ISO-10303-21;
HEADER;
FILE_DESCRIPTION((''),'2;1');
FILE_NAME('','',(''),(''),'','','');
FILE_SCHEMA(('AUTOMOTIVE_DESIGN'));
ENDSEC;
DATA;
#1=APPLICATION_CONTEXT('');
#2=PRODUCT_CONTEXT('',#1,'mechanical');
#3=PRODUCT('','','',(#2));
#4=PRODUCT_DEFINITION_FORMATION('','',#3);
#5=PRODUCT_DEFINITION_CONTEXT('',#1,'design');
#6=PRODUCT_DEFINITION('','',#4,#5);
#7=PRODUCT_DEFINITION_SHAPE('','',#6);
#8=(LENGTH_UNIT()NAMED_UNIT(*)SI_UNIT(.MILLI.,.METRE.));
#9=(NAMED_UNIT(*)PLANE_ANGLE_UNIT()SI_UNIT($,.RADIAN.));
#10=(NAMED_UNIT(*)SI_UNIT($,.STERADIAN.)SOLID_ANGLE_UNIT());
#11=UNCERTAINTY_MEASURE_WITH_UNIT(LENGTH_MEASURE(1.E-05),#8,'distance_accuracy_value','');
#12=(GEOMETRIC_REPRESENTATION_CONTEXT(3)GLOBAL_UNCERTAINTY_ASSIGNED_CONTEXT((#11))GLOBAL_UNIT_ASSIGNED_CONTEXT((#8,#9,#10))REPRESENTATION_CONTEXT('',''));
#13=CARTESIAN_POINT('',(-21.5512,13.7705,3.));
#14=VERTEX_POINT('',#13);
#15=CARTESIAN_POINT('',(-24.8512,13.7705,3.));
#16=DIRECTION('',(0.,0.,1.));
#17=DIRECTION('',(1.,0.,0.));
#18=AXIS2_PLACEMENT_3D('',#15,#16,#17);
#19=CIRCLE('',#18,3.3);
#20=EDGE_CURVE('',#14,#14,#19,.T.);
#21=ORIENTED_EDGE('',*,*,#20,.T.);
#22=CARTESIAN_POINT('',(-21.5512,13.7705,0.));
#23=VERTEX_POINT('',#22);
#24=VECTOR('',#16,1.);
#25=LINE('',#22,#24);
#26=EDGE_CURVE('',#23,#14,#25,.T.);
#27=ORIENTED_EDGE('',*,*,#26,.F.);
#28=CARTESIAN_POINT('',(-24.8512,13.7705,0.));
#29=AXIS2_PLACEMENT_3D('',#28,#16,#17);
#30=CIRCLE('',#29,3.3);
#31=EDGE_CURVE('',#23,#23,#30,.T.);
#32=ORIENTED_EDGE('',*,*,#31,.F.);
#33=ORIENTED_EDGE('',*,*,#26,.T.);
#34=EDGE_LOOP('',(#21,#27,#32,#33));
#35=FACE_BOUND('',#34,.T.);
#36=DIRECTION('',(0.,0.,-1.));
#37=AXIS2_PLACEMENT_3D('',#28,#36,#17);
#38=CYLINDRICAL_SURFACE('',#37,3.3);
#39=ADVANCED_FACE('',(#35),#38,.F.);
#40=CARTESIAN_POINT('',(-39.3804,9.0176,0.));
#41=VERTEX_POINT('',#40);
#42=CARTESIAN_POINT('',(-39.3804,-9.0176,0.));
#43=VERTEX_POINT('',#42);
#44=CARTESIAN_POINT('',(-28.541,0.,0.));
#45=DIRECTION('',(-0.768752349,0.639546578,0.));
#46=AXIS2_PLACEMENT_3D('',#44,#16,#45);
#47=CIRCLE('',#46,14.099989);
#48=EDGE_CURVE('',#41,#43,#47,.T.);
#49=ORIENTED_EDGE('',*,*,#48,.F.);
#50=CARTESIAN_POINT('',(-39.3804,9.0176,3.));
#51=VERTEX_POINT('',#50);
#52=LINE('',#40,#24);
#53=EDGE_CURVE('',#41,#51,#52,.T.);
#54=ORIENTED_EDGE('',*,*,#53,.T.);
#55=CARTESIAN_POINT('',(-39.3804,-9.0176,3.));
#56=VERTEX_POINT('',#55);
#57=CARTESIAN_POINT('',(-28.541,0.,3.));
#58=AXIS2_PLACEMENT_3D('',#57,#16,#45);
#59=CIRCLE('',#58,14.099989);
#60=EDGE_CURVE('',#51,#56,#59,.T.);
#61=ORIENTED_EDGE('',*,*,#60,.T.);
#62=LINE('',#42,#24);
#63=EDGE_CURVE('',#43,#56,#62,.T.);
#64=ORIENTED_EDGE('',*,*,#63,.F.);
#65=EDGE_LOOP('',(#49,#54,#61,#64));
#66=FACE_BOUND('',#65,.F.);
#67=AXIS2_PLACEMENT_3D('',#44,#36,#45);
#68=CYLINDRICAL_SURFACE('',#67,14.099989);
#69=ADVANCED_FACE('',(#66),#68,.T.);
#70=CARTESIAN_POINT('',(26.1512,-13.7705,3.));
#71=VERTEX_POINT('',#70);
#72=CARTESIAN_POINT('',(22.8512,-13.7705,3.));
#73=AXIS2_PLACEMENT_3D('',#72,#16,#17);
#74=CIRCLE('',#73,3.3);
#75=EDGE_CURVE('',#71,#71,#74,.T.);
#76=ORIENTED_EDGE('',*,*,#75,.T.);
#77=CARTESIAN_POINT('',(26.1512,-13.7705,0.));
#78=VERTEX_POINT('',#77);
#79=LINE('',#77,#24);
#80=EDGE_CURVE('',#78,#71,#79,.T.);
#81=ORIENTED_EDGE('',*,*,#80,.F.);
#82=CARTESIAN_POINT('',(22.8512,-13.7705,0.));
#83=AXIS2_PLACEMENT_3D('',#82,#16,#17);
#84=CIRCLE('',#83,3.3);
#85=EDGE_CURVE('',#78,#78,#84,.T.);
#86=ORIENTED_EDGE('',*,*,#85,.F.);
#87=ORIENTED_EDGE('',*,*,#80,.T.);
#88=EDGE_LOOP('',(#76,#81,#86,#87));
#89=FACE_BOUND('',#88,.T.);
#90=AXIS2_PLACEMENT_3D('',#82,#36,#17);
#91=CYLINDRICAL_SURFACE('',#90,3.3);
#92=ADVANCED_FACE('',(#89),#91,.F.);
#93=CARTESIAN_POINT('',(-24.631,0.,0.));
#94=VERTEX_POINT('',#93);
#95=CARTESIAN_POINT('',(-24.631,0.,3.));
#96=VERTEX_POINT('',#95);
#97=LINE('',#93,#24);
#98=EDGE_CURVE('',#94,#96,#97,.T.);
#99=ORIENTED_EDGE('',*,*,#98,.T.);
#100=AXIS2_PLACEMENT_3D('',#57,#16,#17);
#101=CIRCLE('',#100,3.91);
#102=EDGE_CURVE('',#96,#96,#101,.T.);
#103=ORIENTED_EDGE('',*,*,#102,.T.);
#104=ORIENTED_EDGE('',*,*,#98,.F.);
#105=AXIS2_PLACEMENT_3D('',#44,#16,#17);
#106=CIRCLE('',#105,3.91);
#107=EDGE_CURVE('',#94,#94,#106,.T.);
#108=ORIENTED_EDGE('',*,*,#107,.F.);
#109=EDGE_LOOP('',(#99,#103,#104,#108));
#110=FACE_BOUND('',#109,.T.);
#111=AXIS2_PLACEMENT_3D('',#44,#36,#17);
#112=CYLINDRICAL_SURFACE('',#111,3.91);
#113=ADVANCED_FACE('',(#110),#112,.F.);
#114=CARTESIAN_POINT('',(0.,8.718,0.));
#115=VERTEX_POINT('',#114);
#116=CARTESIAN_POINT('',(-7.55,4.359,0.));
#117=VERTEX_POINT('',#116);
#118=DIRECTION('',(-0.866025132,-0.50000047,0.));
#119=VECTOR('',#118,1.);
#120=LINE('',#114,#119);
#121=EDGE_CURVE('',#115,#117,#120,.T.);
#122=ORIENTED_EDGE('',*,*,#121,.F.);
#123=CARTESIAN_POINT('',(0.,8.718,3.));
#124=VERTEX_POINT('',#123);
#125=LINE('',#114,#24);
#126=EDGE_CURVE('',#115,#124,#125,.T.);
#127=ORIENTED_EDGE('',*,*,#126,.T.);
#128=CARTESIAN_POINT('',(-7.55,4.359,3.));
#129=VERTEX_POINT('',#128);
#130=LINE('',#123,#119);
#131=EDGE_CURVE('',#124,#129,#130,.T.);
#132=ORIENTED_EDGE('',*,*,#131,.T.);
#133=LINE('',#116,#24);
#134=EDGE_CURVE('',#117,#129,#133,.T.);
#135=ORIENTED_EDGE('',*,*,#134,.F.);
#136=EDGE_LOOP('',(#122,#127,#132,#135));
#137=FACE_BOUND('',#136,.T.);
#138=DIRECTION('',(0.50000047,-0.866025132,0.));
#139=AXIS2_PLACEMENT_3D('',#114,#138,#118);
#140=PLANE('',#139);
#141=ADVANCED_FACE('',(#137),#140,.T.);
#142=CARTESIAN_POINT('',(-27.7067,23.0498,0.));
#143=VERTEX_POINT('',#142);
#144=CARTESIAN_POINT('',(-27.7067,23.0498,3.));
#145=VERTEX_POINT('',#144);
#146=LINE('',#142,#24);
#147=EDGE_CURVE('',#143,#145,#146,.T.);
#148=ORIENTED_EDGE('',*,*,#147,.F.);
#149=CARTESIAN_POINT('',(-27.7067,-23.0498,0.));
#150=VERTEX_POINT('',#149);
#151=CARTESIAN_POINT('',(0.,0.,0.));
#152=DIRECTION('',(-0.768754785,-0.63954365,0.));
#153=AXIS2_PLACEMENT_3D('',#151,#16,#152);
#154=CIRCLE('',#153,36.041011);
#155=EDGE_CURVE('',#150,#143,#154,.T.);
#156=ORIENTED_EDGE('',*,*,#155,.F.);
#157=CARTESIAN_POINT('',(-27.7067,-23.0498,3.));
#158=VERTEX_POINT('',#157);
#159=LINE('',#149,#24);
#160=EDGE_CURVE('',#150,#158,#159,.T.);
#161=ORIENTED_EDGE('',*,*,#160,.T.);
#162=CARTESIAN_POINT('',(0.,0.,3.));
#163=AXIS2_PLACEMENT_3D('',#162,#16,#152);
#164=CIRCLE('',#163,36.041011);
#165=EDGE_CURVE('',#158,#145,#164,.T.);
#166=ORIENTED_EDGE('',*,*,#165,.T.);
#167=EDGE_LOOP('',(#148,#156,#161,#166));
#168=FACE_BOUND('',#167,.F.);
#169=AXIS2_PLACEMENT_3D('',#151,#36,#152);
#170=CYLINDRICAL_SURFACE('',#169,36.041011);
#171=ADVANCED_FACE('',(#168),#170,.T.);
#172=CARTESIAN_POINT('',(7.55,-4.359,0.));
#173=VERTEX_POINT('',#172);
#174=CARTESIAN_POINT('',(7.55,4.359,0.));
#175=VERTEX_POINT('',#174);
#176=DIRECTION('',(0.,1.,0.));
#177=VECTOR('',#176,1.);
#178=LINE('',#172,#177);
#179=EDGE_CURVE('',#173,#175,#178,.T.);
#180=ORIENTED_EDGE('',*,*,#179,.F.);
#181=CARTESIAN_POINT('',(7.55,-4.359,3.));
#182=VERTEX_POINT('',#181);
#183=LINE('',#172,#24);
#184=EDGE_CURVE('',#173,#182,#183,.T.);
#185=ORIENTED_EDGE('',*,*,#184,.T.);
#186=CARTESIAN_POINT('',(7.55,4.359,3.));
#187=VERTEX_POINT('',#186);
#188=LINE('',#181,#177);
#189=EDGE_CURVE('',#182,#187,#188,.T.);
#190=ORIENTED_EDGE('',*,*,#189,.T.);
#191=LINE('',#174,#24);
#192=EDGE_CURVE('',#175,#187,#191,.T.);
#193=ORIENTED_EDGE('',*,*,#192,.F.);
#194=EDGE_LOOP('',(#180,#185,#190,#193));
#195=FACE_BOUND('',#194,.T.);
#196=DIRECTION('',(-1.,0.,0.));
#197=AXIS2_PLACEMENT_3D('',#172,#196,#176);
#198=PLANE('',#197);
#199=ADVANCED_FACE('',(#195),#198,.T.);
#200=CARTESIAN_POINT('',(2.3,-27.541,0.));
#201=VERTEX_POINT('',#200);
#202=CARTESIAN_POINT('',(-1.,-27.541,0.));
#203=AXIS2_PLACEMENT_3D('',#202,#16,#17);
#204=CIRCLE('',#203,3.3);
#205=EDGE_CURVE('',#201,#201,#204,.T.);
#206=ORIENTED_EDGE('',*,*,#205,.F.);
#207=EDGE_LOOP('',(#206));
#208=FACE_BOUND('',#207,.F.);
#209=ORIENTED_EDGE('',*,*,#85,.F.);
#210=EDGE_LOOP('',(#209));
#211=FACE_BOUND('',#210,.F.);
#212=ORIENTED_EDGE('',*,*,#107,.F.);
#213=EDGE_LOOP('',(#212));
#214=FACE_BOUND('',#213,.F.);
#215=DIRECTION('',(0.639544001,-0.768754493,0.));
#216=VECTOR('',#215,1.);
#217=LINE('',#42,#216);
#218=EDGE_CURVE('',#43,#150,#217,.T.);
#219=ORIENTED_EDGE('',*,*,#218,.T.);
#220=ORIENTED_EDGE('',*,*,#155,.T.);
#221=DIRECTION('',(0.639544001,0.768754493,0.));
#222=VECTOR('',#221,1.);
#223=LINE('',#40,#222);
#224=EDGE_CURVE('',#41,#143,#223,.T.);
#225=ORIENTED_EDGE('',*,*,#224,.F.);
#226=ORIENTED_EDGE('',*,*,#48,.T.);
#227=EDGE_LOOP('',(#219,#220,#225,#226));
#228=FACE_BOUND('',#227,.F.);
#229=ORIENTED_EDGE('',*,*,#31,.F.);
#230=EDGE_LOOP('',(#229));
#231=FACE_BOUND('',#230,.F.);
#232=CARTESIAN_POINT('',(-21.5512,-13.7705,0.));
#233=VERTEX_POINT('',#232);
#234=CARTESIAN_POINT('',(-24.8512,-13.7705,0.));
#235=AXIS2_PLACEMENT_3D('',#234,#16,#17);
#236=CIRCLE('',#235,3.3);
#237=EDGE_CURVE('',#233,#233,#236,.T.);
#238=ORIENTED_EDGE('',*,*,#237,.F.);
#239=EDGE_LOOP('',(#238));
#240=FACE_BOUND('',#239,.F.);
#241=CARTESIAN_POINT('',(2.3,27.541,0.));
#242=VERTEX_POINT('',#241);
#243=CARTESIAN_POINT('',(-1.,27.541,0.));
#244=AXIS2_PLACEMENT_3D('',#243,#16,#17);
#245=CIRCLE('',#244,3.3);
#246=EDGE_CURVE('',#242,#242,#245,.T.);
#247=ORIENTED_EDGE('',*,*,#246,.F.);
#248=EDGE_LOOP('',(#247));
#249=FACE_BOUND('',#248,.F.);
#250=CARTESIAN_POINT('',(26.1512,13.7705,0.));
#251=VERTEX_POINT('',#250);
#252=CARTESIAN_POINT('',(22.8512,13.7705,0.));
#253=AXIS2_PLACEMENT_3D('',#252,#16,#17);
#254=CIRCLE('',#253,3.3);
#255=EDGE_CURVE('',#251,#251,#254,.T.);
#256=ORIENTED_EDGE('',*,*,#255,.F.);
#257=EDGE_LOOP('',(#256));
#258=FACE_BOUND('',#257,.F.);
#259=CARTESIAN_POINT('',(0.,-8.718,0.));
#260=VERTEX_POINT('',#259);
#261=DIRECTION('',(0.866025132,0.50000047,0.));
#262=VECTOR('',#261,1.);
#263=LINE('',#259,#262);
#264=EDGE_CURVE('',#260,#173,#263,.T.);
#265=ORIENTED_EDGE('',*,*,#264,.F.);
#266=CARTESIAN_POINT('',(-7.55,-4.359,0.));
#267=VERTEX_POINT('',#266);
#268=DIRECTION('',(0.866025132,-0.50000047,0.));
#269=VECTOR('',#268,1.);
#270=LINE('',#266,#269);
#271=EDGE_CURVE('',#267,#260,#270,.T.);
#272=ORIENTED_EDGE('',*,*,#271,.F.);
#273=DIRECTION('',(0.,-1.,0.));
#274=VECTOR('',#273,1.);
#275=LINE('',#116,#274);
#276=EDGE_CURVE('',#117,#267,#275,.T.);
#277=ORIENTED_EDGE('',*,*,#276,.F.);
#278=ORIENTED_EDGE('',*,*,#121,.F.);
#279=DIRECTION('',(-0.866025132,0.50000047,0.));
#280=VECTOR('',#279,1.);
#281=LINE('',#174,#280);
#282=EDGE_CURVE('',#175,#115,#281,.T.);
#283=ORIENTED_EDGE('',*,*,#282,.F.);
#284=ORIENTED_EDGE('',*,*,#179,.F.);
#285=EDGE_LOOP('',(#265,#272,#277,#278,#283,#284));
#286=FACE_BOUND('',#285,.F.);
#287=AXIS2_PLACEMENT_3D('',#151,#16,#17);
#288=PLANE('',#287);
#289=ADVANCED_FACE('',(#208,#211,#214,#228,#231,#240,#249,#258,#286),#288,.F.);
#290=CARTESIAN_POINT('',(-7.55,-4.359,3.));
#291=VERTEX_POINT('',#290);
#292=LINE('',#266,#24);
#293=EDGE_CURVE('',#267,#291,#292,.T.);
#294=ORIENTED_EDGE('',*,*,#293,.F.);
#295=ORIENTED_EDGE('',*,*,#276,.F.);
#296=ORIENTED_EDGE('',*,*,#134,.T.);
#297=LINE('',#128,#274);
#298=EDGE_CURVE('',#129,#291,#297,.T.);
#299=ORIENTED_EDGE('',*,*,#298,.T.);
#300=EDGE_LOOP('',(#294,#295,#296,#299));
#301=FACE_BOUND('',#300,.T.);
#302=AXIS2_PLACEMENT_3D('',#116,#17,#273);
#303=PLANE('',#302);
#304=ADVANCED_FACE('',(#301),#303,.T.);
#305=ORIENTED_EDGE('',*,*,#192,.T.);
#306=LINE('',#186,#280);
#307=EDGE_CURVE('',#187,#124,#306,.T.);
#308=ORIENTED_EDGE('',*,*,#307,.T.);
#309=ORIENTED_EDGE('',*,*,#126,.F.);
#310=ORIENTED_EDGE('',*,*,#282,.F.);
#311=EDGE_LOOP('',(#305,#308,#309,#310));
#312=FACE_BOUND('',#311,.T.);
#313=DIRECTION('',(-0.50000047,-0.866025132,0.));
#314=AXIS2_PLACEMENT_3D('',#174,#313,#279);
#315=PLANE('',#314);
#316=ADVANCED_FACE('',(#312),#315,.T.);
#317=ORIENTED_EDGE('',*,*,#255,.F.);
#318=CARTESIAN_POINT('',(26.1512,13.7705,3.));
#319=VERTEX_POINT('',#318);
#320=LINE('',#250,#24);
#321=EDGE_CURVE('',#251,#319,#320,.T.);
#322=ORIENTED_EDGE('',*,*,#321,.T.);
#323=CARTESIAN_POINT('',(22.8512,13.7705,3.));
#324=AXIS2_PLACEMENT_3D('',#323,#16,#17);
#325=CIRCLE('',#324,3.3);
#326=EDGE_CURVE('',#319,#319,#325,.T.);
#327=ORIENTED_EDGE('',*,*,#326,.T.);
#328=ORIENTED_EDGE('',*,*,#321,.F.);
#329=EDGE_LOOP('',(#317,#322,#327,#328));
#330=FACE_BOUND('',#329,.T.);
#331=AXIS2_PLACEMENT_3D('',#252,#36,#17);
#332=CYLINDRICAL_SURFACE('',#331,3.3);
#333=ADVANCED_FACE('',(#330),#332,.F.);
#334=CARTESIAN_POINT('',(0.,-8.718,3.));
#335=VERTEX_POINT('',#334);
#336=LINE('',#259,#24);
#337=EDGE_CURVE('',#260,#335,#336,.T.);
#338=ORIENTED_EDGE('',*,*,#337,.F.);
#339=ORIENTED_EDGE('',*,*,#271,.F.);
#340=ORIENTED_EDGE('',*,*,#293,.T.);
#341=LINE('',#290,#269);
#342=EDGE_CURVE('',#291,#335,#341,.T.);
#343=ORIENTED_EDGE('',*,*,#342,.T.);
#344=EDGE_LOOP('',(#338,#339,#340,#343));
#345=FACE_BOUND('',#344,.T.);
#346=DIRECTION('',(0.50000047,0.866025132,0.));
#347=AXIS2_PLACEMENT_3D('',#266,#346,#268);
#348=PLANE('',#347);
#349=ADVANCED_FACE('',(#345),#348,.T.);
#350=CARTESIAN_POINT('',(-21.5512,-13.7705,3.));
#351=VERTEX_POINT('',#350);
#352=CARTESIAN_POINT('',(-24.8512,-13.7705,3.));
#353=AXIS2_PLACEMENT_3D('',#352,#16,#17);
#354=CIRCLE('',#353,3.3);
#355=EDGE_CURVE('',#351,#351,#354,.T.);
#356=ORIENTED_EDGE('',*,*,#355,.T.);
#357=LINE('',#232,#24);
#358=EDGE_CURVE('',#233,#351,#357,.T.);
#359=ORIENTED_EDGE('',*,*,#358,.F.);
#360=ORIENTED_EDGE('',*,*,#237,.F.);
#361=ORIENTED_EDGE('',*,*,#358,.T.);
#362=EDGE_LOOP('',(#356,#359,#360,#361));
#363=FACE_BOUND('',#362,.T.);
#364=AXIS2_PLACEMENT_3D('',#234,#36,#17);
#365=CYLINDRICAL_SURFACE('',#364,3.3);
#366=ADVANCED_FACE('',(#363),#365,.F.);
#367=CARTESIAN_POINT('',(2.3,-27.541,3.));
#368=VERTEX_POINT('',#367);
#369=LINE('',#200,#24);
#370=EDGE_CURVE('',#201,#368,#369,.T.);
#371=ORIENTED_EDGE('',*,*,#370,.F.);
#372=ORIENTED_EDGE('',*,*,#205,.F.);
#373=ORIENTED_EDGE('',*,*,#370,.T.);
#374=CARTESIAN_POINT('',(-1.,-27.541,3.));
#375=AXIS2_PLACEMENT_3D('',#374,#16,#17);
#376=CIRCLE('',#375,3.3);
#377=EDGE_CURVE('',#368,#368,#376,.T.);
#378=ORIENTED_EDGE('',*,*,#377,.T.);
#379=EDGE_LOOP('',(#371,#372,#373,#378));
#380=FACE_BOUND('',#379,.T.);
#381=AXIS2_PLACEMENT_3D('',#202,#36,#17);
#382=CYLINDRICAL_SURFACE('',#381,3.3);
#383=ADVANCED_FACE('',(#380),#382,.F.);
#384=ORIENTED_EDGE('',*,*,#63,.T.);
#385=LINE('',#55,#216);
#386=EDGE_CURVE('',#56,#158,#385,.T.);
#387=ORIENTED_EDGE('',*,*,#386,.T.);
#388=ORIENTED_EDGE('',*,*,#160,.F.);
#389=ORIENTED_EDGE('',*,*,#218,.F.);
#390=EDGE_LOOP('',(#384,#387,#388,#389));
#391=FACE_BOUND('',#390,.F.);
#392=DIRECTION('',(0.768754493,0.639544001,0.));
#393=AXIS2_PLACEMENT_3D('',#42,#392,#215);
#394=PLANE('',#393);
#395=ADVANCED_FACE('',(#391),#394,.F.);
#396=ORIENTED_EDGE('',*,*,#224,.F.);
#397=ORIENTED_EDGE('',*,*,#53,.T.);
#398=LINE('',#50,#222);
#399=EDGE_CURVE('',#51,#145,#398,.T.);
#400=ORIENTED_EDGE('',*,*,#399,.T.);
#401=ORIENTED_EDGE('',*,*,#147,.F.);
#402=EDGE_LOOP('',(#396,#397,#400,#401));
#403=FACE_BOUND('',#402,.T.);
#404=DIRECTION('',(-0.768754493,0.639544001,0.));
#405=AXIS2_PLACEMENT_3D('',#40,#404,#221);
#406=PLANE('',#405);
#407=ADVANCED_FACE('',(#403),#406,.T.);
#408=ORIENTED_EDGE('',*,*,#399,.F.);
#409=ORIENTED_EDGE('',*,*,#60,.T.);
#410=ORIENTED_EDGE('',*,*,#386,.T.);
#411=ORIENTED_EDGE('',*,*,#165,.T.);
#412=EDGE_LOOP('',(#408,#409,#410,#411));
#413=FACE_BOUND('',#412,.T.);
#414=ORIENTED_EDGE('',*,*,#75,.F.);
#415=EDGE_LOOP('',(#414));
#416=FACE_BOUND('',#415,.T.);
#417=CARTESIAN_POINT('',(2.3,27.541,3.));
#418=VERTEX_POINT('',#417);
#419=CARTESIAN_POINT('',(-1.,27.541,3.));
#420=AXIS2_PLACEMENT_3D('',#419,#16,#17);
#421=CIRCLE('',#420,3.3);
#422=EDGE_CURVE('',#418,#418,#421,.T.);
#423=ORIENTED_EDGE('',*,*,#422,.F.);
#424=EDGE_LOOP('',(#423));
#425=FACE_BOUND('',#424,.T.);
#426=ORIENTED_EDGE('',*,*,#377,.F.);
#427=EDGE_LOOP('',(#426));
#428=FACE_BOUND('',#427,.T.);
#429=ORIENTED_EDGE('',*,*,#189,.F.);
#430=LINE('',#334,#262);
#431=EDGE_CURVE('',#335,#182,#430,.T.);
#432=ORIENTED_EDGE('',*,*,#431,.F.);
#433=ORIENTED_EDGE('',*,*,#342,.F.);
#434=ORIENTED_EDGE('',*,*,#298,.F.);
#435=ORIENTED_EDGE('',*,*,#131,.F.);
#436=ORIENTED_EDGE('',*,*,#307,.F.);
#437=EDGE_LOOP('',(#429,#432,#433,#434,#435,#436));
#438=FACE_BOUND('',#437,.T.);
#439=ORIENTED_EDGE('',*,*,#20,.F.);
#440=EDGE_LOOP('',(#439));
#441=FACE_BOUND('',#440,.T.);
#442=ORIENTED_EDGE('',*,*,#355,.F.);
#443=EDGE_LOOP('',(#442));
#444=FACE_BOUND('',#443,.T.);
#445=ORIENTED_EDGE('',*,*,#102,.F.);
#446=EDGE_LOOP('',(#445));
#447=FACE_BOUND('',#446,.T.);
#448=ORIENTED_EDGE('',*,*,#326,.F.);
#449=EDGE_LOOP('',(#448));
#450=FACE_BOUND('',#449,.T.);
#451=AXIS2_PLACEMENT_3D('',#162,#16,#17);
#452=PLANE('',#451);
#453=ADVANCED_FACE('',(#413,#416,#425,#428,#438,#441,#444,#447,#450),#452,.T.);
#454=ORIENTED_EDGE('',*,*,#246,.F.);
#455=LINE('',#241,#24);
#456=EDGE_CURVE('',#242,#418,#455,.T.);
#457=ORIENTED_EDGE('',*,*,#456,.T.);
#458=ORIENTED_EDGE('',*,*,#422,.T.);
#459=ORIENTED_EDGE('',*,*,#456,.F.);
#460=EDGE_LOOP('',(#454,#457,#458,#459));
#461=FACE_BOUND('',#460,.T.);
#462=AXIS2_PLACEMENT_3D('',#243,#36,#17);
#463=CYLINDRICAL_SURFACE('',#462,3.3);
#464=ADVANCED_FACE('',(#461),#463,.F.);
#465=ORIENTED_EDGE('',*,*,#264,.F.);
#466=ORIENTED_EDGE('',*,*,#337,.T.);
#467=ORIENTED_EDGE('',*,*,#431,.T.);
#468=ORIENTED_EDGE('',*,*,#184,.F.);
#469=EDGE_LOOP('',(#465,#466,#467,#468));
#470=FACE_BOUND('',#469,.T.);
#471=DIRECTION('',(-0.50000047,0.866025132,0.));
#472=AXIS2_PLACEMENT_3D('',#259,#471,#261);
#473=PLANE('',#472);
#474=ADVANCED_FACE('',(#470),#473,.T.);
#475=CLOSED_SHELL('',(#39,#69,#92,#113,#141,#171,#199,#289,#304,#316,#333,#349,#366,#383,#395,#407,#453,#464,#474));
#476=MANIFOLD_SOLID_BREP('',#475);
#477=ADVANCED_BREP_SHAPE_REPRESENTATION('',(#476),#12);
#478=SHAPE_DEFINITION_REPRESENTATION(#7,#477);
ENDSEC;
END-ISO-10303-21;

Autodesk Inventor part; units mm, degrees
ref_plane "YZ Plane" through (0, 0, 0) normal (1, 0, 0) x (0, 1, 0)
ref_plane "XZ Plane" through (0, 0, 0) normal (0, 1, 0) x (-1, 0, 0)
ref_plane "XY Plane" through (0, 0, 0) normal (0, 0, 1) x (1, 0, 0)
sketch "Sketch1" plane through (0, 0, 0) normal (0, 0, 1) x (1, 0, 0)
  circle A0 centre (-1, 0) radius 36.041 construction
  circle A1 centre (-28.541, 0) radius 8.5 construction
  circle A2 centre (-1, 0) radius 27.541 construction
  circle A3 centre (-1, 27.541) radius 3.3
  circle A4 centre (-1, 0) radius 41.641 construction
  arc A5 (-39.3804, 9.0176) -> (-39.3804, -9.0176) centre (-28.541, 0) ccw
  line L0 (-39.3804, 9.0176) -> (-27.7067, 23.0498)
  line L1 (-39.3804, -9.0176) -> (-27.7067, -23.0498)
  line L2 (0, 0) -> (-50.0981, 0) construction
  arc A6 (-27.7067, -23.0498) -> (-27.7067, 23.0498) centre (0, 0) ccw
  circle A7 centre (-24.8512, 13.7705) radius 3.3
  circle A8 centre (-24.8512, -13.7705) radius 3.3
  circle A9 centre (-1, -27.541) radius 3.3
  circle A10 centre (22.8512, -13.7705) radius 3.3
  circle A11 centre (22.8512, 13.7705) radius 3.3
  line L3 (0, 7.3323) -> (6.35, 3.6662) construction
  line L4 (6.35, 3.6662) -> (6.35, -3.6662) construction
  line L5 (6.35, -3.6662) -> (0, -7.3323) construction
  line L6 (0, -7.3323) -> (-6.35, -3.6662) construction
  line L7 (-6.35, -3.6662) -> (-6.35, 3.6662) construction
  line L8 (-6.35, 3.6662) -> (0, 7.3323) construction
  line L9 (7.55, 4.359) -> (0, 8.718)
  line L10 (0, 8.718) -> (-7.55, 4.359)
  line L11 (-7.55, 4.359) -> (-7.55, -4.359)
  line L12 (-7.55, -4.359) -> (0, -8.718)
  line L13 (0, -8.718) -> (7.55, -4.359)
  line L14 (7.55, -4.359) -> (7.55, 4.359)
  circle A12 centre (-28.541, 0) radius 3.91
  dimension "d2" = 72.082
  dimension "d3" = 17
  dimension "d5" = 6.6
  dimension "d7" = 360
  dimension "d8" = 12.7
  dimension "d9" = 1.2
  dimension "d11" = 7.82
  dimension "d18" = 7.5
  dimension "d19" = 5.6
extrude "Extrusion1" add sketch "Sketch1" along normal blind 3
properties part number "GenevaDrive2" material "Plywood, Finish"
